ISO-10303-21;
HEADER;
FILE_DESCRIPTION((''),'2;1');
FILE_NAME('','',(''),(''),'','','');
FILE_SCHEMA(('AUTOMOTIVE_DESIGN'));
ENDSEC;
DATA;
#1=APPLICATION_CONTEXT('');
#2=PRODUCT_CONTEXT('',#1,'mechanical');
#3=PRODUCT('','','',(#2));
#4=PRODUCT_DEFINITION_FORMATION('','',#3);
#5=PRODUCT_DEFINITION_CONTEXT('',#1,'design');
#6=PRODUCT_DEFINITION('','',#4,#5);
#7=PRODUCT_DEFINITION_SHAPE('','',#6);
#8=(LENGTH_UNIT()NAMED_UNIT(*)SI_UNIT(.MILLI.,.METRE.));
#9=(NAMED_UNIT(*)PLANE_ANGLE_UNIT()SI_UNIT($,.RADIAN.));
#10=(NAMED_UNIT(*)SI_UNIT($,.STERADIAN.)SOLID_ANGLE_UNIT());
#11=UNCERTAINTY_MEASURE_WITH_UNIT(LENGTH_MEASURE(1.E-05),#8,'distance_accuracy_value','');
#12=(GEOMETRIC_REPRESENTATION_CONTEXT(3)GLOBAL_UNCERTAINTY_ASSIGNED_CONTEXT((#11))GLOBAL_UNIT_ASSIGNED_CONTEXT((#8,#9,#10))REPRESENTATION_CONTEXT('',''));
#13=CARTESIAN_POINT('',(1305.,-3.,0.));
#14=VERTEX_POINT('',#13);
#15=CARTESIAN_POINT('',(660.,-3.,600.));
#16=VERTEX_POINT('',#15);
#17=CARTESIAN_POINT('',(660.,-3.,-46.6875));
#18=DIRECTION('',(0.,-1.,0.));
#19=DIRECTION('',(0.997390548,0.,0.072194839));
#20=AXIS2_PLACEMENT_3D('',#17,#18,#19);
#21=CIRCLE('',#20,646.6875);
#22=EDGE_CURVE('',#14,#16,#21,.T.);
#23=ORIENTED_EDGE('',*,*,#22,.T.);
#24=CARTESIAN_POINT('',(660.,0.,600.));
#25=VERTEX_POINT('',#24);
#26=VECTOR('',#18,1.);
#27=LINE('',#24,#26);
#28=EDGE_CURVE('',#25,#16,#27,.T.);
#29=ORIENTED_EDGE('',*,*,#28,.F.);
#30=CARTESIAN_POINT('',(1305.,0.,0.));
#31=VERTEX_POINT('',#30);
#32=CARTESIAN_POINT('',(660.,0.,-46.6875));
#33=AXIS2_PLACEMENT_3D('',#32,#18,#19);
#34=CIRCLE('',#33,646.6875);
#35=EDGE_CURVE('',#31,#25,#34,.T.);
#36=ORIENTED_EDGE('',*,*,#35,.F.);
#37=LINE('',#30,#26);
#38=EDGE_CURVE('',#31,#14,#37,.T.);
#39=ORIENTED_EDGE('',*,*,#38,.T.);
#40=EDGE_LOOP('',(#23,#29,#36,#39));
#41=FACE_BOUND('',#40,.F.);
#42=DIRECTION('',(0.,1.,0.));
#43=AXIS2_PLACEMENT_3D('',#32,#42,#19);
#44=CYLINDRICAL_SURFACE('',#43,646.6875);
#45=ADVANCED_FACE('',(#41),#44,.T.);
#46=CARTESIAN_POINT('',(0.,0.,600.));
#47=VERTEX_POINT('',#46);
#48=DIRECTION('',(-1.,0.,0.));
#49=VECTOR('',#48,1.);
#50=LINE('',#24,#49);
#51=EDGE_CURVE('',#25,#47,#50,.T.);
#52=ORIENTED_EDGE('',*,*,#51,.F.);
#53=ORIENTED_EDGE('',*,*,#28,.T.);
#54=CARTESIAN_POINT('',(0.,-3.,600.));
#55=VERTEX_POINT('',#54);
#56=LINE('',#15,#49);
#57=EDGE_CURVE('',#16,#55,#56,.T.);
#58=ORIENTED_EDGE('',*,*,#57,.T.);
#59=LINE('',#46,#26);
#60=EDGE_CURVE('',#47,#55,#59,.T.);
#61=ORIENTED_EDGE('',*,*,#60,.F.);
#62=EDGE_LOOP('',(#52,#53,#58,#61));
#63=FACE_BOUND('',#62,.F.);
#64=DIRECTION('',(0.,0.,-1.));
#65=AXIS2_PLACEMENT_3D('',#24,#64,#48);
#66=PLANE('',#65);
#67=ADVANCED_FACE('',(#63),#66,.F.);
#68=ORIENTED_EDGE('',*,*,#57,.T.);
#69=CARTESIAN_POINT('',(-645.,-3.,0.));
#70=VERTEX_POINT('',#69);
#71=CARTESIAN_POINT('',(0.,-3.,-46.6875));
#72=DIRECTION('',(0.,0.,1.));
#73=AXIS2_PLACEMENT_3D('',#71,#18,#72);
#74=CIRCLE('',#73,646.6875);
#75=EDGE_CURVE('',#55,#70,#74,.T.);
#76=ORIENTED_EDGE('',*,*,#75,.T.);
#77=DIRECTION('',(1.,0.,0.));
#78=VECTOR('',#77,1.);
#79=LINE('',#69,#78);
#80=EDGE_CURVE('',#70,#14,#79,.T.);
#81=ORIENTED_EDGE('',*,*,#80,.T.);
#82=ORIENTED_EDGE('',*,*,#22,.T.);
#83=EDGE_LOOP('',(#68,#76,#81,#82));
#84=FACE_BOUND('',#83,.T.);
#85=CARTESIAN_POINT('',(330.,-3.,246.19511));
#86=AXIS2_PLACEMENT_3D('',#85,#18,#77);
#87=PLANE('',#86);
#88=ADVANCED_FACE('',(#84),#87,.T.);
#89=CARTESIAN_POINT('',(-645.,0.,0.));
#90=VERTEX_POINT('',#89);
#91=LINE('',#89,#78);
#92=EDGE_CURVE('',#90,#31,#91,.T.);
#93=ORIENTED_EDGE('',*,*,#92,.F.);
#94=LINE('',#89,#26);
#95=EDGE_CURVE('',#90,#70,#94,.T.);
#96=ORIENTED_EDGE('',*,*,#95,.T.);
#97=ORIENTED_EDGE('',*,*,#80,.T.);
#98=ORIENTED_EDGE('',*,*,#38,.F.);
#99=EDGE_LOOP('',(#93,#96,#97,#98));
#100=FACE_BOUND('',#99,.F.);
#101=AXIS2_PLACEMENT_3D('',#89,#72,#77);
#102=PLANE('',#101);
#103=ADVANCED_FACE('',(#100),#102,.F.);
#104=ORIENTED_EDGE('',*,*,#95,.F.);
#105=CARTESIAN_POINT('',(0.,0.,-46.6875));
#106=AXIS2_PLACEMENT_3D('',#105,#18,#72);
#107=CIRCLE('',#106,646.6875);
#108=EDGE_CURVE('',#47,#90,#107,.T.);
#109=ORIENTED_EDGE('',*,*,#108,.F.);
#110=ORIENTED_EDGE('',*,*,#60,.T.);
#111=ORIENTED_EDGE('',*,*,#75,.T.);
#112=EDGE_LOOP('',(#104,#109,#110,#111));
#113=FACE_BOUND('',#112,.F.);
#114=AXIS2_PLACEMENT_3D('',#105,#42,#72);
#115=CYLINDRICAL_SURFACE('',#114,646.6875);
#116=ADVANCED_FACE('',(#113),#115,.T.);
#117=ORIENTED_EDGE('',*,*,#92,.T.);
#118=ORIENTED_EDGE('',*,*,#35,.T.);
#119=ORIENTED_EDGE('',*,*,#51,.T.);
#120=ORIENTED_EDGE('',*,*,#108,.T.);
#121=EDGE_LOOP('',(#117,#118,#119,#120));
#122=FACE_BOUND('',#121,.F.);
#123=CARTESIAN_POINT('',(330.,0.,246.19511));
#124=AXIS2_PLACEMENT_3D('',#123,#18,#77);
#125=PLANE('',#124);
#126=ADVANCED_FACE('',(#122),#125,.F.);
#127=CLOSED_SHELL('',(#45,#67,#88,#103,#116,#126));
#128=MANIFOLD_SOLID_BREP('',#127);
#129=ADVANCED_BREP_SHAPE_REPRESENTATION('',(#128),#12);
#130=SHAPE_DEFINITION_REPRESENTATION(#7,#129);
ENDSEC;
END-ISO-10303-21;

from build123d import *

# Parameters (mm, degrees)
F1_DEPTH = 3


with BuildPart() as f1:
    # F0 (on Front) → F1 (new body)
    with BuildSketch(Plane.XZ):
        with BuildLine():
            Line((-645, 0), (0, 0))
            Line((0, 0), (660, 0))
            Line((660, 0), (1305, 0))
            ThreePointArc((1305, 0), (1100.461406, 426.808511), (660, 600))
            Line((660, 600), (0, 600))
            ThreePointArc((0, 600), (-440.461406, 426.808511), (-645, 0))
        make_face()
    extrude(amount=F1_DEPTH)


solid = f1.part
